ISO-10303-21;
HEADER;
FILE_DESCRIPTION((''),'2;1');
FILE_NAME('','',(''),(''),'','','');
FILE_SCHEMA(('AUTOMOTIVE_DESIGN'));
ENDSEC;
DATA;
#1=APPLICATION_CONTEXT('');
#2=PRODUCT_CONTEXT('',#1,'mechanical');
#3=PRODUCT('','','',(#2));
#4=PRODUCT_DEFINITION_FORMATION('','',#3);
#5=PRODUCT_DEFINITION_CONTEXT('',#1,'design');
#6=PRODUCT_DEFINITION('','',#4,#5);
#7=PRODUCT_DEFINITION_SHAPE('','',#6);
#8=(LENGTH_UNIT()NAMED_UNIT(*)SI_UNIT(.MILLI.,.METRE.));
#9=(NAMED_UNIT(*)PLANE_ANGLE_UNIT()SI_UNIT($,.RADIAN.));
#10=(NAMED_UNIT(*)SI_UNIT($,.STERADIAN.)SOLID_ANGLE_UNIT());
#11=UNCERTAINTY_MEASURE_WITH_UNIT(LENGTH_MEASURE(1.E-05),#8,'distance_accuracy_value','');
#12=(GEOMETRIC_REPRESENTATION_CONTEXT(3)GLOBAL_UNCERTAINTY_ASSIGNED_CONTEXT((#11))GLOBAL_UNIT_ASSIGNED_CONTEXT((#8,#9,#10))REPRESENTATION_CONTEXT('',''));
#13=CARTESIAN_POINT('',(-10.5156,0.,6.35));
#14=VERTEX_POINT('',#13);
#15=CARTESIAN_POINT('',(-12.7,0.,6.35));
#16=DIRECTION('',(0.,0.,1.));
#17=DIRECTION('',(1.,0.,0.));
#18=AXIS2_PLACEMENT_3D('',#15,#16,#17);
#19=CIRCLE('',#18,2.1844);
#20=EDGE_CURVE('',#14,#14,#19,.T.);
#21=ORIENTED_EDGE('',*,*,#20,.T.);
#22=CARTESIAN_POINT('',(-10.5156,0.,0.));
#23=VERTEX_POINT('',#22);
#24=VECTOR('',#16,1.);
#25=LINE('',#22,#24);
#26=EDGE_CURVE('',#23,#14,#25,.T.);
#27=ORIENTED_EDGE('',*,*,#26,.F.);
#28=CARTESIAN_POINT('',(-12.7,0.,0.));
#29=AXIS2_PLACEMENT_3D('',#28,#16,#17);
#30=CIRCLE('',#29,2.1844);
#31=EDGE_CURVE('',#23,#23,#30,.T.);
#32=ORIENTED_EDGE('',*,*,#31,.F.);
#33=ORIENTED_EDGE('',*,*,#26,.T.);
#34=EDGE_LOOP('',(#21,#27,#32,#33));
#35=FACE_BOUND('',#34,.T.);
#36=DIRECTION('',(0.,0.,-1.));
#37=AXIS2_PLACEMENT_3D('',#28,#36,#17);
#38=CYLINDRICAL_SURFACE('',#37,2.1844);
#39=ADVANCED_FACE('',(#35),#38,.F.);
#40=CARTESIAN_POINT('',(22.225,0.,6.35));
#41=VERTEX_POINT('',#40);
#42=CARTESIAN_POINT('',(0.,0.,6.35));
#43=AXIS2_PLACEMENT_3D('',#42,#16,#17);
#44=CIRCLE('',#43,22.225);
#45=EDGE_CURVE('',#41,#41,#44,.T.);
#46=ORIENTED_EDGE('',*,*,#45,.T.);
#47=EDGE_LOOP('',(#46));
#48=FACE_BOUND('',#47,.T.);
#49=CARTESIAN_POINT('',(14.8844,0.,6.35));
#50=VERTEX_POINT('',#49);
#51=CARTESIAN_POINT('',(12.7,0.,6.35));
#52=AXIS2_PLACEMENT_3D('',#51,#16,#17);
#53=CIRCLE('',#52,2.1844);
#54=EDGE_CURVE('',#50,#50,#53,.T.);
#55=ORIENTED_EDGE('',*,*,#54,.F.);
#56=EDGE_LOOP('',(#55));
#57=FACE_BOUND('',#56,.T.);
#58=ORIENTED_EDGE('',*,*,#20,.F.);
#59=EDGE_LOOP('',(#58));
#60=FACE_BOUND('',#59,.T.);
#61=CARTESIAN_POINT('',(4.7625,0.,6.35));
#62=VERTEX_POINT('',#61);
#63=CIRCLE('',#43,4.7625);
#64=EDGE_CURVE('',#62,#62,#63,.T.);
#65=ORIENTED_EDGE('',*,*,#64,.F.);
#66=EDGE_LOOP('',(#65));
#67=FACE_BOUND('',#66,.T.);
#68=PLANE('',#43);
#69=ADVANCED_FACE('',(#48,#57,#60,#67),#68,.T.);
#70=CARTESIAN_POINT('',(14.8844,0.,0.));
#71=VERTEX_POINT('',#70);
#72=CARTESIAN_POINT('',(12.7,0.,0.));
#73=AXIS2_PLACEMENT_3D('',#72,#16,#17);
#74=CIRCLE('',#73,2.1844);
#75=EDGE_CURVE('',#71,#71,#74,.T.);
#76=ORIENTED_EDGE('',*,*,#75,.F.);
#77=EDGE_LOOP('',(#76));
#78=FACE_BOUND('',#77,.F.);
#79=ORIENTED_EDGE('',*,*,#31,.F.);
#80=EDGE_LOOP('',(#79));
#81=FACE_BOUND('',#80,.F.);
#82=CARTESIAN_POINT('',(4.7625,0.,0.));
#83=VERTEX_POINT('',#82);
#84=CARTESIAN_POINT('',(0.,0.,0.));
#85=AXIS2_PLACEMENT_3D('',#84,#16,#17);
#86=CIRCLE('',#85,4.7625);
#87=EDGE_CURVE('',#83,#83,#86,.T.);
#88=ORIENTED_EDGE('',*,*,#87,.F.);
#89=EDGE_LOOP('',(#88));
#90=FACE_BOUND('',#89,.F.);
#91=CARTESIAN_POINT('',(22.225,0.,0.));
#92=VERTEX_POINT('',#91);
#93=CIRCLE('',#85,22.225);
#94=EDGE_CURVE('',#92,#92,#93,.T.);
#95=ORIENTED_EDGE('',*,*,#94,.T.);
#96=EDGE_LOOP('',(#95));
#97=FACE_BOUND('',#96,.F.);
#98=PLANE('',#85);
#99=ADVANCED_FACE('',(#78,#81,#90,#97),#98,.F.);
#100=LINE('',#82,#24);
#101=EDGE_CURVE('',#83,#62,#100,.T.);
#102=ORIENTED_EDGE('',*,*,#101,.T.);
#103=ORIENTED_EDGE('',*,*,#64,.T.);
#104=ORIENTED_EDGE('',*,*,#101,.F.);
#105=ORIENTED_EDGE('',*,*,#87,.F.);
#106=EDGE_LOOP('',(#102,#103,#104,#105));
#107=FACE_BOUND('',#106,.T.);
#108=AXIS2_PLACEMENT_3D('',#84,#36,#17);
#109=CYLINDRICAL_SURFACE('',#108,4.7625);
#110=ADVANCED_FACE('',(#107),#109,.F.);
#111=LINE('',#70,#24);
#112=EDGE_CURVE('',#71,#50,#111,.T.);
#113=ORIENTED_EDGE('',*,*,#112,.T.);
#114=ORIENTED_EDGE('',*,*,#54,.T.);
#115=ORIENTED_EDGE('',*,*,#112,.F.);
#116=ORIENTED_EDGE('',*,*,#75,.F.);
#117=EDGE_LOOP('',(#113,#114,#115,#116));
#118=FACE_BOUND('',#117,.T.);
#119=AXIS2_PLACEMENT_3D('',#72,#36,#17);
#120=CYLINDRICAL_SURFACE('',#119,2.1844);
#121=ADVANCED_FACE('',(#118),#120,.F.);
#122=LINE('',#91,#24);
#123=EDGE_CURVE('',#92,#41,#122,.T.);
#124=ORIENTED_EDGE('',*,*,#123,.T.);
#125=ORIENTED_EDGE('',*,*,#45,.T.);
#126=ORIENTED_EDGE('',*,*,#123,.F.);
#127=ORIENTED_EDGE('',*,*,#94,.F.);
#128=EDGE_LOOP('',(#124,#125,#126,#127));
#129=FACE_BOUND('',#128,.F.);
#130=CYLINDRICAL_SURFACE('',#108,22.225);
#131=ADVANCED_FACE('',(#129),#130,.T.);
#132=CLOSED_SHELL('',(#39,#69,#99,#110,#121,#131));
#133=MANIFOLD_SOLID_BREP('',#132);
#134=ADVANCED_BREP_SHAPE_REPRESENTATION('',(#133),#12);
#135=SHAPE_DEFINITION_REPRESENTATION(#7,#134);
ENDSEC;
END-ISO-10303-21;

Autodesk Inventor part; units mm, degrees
ref_plane "YZ Plane" through (0, 0, 0) normal (1, 0, 0) x (0, 1, 0)
ref_plane "XZ Plane" through (0, 0, 0) normal (0, 1, 0) x (-1, 0, 0)
ref_plane "XY Plane" through (0, 0, 0) normal (0, 0, 1) x (1, 0, 0)
sketch "Sketch1" plane through (0, 0, 0) normal (0, 0, 1) x (1, 0, 0)
  circle A0 centre (0, 0) radius 22.225
  circle A1 centre (-12.7, 0) radius 2.1844
  circle A2 centre (0, 0) radius 4.7625
  circle A3 centre (12.7, 0) radius 2.1844
  dimension "d0" = 44.45
  dimension "d1" = 4.3688
  dimension "d2" = 12.7
  dimension "d3" = 12.7
  dimension "d4" = 9.525
extrude "Extrusion1" add sketch "Sketch1" along normal blind 6.35
properties part number "Handle Cover Plate" material "Stainless Steel"
